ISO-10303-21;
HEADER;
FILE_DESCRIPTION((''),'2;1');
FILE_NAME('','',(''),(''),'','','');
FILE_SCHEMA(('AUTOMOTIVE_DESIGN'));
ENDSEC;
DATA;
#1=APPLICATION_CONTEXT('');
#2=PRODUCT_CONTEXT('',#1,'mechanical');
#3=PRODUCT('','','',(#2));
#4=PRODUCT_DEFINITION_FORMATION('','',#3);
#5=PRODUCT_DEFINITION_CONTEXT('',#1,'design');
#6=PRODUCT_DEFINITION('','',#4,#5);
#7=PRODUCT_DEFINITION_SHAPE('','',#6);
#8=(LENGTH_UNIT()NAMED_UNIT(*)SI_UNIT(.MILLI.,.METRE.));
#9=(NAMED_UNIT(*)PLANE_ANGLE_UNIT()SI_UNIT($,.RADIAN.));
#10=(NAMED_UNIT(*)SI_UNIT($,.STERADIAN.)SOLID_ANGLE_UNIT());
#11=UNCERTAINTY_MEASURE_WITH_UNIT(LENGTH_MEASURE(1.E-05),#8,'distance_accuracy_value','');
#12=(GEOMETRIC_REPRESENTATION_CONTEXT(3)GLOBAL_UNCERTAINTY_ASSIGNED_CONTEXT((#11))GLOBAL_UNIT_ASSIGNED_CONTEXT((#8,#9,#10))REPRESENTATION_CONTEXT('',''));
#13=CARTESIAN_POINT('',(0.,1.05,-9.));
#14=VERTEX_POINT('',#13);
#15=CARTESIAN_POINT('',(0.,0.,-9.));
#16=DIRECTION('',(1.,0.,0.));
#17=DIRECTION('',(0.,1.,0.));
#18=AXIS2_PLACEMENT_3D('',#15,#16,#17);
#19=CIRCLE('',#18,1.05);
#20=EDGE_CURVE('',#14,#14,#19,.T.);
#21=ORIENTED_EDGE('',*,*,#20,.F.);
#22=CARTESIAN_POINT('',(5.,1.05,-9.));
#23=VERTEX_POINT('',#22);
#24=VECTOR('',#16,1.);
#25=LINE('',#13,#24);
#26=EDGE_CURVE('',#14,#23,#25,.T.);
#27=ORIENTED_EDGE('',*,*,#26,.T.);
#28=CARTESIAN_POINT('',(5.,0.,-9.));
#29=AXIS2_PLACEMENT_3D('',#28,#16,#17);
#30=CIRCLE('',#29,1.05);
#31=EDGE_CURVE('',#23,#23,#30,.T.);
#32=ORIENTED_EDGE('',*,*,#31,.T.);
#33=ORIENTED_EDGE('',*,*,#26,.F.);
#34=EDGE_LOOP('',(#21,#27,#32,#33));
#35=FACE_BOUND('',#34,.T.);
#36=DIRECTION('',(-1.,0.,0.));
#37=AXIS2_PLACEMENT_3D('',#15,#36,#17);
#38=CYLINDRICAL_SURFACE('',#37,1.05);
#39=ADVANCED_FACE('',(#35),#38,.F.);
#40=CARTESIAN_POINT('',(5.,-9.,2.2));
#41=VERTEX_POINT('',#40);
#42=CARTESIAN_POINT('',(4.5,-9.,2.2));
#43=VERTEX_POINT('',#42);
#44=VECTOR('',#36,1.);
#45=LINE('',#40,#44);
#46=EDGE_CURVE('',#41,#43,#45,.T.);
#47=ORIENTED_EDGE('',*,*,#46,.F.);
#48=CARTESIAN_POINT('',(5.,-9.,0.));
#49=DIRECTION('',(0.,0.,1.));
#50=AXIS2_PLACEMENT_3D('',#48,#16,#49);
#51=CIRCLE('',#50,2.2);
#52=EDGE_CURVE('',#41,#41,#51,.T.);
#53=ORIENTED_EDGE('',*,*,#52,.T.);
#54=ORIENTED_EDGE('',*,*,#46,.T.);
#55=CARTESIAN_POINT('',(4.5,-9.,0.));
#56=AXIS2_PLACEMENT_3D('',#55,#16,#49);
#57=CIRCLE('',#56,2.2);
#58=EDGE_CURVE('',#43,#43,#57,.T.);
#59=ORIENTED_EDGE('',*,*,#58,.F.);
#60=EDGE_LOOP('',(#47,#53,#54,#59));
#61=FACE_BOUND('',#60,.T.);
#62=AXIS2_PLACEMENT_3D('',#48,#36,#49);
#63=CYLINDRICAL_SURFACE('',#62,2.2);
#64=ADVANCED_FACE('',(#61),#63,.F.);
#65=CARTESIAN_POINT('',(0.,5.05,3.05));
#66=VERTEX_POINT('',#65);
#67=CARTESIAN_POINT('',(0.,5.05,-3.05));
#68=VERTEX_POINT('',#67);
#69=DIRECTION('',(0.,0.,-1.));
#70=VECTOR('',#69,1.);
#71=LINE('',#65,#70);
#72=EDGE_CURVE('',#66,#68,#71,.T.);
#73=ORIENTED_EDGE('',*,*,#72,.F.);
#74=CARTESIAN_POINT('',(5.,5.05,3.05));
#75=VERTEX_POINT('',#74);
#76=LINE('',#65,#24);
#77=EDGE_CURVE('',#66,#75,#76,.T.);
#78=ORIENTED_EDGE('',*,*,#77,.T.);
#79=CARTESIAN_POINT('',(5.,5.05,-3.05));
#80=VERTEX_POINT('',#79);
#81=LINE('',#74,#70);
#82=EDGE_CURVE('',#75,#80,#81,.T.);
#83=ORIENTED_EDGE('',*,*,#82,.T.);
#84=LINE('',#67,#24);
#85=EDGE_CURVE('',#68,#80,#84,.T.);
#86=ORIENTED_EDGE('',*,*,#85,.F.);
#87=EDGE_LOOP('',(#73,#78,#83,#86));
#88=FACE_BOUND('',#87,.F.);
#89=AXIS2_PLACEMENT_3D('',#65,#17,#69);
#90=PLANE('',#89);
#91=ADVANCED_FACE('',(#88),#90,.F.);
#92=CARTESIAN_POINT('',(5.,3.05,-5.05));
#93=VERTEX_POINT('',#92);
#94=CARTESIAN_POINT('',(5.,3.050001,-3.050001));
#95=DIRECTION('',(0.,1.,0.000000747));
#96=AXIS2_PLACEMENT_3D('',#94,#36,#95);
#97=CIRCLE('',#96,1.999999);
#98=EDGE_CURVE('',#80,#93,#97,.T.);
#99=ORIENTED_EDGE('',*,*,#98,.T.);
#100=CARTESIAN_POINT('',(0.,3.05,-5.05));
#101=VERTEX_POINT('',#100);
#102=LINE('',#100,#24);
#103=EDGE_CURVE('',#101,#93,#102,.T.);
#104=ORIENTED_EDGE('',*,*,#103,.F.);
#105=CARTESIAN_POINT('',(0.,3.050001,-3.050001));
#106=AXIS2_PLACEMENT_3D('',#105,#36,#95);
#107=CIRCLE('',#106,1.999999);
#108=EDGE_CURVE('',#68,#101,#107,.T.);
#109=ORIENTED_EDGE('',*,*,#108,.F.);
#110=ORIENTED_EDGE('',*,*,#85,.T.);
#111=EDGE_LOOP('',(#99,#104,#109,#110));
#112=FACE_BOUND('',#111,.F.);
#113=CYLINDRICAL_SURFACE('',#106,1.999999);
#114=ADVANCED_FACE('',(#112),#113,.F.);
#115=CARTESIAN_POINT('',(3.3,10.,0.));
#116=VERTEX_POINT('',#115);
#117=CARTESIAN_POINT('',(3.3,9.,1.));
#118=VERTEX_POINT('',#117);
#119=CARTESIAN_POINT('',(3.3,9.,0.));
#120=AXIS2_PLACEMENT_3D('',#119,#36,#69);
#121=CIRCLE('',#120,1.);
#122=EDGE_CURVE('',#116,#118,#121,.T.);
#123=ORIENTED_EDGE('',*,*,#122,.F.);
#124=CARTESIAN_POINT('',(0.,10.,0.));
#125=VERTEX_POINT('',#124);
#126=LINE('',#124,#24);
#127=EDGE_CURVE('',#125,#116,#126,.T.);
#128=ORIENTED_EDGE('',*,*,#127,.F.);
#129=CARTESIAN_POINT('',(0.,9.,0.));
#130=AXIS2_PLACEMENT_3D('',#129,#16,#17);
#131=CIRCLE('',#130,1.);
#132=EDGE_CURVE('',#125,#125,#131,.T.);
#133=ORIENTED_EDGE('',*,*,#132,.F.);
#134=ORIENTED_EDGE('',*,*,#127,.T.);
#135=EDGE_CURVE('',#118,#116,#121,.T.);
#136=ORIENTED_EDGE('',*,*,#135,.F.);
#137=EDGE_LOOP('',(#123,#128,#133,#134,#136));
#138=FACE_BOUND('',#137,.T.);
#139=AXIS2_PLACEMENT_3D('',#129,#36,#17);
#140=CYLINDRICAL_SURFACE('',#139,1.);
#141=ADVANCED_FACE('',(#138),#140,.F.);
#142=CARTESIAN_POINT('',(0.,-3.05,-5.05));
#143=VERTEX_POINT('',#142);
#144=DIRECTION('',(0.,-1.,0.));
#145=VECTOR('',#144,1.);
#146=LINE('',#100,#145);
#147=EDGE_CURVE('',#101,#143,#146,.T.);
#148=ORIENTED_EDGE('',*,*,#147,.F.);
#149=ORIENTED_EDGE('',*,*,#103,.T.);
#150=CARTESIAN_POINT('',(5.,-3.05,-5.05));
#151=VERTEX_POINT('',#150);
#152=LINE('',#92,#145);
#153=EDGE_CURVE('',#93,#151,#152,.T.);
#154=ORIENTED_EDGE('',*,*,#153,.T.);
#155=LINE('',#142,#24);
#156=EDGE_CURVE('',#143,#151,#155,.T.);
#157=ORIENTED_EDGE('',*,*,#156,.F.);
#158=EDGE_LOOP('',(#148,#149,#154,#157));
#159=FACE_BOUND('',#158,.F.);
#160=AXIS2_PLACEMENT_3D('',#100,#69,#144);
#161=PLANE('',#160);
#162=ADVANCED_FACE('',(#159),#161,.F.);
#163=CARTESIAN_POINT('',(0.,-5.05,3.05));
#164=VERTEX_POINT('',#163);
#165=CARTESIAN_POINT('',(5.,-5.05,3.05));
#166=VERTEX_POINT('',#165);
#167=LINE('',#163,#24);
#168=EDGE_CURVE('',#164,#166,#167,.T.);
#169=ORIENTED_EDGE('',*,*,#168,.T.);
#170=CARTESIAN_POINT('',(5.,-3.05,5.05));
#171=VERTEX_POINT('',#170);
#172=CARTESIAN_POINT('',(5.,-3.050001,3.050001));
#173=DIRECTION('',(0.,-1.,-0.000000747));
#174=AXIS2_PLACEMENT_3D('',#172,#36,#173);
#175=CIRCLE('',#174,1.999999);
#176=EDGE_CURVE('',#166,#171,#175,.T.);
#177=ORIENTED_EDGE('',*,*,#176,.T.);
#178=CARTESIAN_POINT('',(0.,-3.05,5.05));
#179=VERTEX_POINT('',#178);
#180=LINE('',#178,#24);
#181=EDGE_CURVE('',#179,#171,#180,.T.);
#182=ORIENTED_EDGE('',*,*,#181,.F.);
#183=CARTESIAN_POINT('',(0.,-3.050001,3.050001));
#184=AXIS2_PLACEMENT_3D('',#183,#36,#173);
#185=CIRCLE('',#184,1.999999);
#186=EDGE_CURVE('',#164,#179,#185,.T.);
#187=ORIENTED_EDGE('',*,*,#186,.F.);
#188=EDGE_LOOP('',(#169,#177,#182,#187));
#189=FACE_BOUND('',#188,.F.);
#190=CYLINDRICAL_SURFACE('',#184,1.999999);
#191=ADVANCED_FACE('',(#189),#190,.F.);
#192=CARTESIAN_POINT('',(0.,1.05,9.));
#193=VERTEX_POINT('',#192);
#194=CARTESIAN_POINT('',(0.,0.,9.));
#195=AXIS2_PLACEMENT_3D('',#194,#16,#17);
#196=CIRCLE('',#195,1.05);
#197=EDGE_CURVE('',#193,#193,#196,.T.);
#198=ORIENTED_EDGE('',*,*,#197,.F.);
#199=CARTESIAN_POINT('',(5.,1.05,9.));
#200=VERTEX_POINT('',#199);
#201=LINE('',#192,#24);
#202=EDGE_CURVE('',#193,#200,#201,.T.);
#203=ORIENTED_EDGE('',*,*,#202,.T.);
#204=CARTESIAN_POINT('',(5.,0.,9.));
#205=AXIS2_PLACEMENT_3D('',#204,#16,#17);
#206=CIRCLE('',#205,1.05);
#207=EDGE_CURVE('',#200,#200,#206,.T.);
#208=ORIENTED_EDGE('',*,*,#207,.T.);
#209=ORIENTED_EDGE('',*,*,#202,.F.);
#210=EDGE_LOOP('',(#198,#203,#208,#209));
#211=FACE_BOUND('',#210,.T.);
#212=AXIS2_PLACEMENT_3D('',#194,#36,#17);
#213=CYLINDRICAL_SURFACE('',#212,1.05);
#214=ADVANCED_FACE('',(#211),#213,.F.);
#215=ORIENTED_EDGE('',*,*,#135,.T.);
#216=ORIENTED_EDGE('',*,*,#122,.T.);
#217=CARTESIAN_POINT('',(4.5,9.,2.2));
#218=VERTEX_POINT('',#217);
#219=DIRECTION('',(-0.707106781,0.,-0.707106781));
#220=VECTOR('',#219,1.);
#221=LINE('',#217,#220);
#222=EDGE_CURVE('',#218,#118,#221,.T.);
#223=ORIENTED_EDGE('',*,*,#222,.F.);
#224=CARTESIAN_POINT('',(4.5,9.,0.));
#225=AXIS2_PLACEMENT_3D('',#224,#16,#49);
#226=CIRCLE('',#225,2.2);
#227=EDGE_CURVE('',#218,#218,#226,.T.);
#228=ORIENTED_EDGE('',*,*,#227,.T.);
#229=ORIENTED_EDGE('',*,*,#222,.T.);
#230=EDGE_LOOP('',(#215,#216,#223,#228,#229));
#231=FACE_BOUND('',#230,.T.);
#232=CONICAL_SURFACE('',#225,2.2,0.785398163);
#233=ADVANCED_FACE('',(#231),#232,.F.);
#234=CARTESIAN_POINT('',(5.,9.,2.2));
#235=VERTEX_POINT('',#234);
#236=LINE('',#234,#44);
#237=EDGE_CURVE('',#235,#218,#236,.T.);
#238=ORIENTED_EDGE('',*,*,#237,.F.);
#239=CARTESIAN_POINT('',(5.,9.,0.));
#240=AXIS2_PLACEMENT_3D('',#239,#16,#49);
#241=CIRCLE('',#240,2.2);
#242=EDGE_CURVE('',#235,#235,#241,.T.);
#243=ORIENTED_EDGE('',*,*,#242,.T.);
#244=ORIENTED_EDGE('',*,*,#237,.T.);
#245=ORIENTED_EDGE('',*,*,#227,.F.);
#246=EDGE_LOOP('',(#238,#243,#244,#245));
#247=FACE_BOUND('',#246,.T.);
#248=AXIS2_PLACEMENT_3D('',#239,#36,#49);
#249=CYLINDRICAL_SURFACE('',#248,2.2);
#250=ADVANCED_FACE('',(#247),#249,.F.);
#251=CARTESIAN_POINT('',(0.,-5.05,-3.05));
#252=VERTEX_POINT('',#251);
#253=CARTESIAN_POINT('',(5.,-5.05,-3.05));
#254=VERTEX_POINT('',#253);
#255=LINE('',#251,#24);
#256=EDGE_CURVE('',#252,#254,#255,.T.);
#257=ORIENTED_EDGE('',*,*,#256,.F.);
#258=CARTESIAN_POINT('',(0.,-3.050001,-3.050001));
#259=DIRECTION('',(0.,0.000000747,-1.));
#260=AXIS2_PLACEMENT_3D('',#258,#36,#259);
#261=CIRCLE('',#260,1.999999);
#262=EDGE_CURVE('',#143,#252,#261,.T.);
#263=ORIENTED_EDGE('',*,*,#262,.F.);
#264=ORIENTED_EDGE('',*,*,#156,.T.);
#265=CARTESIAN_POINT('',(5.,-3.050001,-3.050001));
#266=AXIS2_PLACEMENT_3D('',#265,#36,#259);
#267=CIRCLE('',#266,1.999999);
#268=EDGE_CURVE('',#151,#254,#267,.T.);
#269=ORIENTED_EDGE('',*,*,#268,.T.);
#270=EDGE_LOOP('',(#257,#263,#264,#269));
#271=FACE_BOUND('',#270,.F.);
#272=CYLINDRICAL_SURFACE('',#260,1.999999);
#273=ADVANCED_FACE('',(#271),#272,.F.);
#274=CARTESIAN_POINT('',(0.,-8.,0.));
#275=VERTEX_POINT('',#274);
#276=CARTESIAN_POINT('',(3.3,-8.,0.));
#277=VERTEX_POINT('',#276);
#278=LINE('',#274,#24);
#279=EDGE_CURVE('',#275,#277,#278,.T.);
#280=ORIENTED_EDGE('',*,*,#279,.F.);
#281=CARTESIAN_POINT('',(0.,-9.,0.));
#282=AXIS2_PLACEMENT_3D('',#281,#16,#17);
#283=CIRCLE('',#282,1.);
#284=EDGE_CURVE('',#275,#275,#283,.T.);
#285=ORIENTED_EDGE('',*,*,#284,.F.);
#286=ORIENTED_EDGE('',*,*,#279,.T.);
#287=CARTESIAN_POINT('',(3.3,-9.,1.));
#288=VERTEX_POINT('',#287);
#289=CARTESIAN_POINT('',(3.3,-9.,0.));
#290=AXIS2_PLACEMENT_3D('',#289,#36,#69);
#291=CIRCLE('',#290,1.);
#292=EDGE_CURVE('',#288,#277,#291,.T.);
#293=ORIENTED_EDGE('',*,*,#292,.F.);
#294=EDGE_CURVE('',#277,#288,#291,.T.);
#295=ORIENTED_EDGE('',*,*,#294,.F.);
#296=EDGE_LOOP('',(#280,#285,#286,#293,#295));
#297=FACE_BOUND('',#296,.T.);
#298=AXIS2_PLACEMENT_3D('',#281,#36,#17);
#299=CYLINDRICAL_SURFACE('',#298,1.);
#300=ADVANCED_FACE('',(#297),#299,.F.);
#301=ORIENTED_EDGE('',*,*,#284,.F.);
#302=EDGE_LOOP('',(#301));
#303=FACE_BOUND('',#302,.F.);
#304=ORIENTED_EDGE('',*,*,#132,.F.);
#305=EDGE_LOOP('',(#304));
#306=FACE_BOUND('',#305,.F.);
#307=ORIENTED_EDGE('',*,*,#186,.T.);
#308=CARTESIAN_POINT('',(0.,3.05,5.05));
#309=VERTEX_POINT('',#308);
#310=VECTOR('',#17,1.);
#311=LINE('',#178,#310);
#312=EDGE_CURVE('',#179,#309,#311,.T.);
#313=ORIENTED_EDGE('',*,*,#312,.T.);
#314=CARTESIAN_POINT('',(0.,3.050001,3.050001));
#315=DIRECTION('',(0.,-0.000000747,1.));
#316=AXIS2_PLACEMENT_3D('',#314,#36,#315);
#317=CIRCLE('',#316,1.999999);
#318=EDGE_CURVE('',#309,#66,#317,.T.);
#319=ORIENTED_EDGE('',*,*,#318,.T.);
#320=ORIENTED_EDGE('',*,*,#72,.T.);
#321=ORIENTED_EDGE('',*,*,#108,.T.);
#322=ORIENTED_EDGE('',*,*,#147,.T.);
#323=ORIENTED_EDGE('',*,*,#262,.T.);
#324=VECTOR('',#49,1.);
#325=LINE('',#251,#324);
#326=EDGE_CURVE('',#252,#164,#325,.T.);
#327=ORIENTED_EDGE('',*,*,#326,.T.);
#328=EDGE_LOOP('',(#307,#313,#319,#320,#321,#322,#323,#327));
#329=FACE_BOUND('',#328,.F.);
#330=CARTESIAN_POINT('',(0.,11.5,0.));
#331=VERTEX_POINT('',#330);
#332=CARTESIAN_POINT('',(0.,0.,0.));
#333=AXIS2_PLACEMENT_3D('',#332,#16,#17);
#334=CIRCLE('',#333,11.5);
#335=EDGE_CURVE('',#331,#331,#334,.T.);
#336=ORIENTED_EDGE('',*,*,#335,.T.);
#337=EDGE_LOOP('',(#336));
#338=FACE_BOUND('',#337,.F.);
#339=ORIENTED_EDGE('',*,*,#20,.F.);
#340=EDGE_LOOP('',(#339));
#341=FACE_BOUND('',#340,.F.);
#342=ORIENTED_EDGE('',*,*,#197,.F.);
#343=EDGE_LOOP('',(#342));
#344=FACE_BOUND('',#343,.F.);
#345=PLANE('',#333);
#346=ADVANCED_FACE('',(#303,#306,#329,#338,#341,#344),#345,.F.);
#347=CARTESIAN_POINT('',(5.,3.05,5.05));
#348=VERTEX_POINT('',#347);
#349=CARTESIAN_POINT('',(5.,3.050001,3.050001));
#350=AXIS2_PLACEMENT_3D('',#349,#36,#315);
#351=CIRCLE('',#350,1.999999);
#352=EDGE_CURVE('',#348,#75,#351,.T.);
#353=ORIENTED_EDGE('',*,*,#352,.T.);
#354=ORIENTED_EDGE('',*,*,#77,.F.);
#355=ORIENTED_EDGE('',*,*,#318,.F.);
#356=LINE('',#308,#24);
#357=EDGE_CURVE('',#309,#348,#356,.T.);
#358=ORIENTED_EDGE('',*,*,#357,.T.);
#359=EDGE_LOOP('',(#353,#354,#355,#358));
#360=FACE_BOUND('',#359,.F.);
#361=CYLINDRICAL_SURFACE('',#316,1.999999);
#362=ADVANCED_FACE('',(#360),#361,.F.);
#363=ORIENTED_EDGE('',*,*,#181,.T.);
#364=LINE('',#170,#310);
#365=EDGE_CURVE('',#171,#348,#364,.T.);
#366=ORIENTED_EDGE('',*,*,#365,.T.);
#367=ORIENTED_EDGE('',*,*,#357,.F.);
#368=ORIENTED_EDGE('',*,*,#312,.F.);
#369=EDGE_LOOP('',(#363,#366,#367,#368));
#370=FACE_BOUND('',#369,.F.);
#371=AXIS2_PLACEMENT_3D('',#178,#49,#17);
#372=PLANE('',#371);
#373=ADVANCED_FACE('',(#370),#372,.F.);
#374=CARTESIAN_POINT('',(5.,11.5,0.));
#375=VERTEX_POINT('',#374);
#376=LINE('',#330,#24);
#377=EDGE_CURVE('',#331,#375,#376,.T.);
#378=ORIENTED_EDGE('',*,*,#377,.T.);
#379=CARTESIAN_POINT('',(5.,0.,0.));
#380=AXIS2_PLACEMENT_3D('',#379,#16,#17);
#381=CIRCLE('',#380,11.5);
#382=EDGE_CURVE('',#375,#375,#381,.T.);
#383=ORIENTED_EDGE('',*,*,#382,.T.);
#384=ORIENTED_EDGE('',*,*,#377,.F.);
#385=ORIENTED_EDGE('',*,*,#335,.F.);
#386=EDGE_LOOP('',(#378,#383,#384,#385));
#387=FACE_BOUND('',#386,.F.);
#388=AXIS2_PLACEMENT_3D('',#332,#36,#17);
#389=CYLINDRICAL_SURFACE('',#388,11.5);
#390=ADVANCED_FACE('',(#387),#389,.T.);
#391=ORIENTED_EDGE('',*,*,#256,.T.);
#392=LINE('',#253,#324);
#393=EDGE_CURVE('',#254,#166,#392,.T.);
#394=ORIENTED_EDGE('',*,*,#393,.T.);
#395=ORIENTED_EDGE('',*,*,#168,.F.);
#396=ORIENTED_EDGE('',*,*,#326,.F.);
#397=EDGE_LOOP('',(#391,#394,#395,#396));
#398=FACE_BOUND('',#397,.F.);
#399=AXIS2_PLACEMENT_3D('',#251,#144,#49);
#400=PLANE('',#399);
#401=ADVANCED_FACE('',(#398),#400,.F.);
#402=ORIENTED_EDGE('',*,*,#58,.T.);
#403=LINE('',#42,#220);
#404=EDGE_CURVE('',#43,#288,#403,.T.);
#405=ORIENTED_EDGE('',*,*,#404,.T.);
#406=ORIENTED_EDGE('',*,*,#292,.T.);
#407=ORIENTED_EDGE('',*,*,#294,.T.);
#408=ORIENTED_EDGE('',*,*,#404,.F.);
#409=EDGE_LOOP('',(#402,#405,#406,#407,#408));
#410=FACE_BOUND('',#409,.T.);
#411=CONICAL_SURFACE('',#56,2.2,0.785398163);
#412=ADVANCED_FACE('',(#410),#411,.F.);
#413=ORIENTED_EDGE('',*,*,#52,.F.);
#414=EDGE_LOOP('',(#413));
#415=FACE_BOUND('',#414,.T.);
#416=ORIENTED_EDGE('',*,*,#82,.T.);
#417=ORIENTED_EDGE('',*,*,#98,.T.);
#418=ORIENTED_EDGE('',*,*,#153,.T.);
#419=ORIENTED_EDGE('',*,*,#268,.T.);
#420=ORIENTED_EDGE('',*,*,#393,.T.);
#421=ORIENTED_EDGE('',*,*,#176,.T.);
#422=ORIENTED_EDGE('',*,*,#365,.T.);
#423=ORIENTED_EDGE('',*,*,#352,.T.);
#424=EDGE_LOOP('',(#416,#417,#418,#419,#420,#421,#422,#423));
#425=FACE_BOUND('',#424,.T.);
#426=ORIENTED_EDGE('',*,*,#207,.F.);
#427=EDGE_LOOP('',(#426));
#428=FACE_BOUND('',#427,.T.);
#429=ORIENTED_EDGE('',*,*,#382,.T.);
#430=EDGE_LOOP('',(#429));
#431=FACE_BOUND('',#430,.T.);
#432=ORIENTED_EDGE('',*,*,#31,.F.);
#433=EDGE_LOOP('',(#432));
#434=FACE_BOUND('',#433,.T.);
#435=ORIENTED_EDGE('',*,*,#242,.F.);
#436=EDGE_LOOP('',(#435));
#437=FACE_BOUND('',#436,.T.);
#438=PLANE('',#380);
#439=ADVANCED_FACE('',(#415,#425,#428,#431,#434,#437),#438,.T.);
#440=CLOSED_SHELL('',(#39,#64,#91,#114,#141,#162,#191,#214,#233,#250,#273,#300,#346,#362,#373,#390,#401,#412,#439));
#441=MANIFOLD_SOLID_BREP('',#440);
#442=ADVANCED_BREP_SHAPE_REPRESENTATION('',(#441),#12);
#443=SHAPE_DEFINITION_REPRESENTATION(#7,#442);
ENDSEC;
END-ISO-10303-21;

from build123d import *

# Parameters (mm, degrees)
F0_R     = 11.5
F0_R_2   = 1.05
F0_R_3   = 1
F1_DEPTH = 5


with BuildPart() as f1:
    # F0 (on Right) → F1 (new body)
    with BuildSketch(Plane.YZ):
        Circle(F0_R)
        with Locations((0, -9)):
            Circle(F0_R_2, mode=Mode.SUBTRACT)
        with Locations((-9, 0)):
            Circle(F0_R_3, mode=Mode.SUBTRACT)
        with BuildLine():
            ThreePointArc((-5.05, 3.05), (-4.464214, 4.464214), (-3.05, 5.05))
            Line((-3.05, 5.05), (3.05, 5.05))
            ThreePointArc((3.05, 5.05), (4.464214, 4.464214), (5.05, 3.05))
            Line((5.05, 3.05), (5.05, -3.05))
            ThreePointArc((5.05, -3.05), (4.464214, -4.464214), (3.05, -5.05))
            Line((3.05, -5.05), (-3.05, -5.05))
            ThreePointArc((-3.05, -5.05), (-4.464214, -4.464214), (-5.05, -3.05))
            Line((-5.05, -3.05), (-5.05, 3.05))
        make_face(mode=Mode.SUBTRACT)
        with Locations((9, 0)):
            Circle(F0_R_3, mode=Mode.SUBTRACT)
        with Locations((0, 9)):
            Circle(F0_R_2, mode=Mode.SUBTRACT)
    extrude(amount=F1_DEPTH)

    # F3 (on offset) → F5 (revolve, cut)
    with BuildSketch(Plane.XZ.offset(9)):
        Polygon((2.3, 0), (5, 0), (5, 2.2), (4.5, 2.2), align=None)
    revolve(axis=Axis((2.750115, -9, 0), (1, 0, 0)), mode=Mode.SUBTRACT)

    # F7 (on offset) → F8 (revolve, cut)
    with BuildSketch(Plane.XZ.offset(-9)):
        Polygon((4.5, 2.2), (2.3, 0), (5, 0), (5, 2.2), align=None)
    revolve(axis=Axis((3.65, 9, 0), (1, 0, 0)), mode=Mode.SUBTRACT)


solid = f1.part
